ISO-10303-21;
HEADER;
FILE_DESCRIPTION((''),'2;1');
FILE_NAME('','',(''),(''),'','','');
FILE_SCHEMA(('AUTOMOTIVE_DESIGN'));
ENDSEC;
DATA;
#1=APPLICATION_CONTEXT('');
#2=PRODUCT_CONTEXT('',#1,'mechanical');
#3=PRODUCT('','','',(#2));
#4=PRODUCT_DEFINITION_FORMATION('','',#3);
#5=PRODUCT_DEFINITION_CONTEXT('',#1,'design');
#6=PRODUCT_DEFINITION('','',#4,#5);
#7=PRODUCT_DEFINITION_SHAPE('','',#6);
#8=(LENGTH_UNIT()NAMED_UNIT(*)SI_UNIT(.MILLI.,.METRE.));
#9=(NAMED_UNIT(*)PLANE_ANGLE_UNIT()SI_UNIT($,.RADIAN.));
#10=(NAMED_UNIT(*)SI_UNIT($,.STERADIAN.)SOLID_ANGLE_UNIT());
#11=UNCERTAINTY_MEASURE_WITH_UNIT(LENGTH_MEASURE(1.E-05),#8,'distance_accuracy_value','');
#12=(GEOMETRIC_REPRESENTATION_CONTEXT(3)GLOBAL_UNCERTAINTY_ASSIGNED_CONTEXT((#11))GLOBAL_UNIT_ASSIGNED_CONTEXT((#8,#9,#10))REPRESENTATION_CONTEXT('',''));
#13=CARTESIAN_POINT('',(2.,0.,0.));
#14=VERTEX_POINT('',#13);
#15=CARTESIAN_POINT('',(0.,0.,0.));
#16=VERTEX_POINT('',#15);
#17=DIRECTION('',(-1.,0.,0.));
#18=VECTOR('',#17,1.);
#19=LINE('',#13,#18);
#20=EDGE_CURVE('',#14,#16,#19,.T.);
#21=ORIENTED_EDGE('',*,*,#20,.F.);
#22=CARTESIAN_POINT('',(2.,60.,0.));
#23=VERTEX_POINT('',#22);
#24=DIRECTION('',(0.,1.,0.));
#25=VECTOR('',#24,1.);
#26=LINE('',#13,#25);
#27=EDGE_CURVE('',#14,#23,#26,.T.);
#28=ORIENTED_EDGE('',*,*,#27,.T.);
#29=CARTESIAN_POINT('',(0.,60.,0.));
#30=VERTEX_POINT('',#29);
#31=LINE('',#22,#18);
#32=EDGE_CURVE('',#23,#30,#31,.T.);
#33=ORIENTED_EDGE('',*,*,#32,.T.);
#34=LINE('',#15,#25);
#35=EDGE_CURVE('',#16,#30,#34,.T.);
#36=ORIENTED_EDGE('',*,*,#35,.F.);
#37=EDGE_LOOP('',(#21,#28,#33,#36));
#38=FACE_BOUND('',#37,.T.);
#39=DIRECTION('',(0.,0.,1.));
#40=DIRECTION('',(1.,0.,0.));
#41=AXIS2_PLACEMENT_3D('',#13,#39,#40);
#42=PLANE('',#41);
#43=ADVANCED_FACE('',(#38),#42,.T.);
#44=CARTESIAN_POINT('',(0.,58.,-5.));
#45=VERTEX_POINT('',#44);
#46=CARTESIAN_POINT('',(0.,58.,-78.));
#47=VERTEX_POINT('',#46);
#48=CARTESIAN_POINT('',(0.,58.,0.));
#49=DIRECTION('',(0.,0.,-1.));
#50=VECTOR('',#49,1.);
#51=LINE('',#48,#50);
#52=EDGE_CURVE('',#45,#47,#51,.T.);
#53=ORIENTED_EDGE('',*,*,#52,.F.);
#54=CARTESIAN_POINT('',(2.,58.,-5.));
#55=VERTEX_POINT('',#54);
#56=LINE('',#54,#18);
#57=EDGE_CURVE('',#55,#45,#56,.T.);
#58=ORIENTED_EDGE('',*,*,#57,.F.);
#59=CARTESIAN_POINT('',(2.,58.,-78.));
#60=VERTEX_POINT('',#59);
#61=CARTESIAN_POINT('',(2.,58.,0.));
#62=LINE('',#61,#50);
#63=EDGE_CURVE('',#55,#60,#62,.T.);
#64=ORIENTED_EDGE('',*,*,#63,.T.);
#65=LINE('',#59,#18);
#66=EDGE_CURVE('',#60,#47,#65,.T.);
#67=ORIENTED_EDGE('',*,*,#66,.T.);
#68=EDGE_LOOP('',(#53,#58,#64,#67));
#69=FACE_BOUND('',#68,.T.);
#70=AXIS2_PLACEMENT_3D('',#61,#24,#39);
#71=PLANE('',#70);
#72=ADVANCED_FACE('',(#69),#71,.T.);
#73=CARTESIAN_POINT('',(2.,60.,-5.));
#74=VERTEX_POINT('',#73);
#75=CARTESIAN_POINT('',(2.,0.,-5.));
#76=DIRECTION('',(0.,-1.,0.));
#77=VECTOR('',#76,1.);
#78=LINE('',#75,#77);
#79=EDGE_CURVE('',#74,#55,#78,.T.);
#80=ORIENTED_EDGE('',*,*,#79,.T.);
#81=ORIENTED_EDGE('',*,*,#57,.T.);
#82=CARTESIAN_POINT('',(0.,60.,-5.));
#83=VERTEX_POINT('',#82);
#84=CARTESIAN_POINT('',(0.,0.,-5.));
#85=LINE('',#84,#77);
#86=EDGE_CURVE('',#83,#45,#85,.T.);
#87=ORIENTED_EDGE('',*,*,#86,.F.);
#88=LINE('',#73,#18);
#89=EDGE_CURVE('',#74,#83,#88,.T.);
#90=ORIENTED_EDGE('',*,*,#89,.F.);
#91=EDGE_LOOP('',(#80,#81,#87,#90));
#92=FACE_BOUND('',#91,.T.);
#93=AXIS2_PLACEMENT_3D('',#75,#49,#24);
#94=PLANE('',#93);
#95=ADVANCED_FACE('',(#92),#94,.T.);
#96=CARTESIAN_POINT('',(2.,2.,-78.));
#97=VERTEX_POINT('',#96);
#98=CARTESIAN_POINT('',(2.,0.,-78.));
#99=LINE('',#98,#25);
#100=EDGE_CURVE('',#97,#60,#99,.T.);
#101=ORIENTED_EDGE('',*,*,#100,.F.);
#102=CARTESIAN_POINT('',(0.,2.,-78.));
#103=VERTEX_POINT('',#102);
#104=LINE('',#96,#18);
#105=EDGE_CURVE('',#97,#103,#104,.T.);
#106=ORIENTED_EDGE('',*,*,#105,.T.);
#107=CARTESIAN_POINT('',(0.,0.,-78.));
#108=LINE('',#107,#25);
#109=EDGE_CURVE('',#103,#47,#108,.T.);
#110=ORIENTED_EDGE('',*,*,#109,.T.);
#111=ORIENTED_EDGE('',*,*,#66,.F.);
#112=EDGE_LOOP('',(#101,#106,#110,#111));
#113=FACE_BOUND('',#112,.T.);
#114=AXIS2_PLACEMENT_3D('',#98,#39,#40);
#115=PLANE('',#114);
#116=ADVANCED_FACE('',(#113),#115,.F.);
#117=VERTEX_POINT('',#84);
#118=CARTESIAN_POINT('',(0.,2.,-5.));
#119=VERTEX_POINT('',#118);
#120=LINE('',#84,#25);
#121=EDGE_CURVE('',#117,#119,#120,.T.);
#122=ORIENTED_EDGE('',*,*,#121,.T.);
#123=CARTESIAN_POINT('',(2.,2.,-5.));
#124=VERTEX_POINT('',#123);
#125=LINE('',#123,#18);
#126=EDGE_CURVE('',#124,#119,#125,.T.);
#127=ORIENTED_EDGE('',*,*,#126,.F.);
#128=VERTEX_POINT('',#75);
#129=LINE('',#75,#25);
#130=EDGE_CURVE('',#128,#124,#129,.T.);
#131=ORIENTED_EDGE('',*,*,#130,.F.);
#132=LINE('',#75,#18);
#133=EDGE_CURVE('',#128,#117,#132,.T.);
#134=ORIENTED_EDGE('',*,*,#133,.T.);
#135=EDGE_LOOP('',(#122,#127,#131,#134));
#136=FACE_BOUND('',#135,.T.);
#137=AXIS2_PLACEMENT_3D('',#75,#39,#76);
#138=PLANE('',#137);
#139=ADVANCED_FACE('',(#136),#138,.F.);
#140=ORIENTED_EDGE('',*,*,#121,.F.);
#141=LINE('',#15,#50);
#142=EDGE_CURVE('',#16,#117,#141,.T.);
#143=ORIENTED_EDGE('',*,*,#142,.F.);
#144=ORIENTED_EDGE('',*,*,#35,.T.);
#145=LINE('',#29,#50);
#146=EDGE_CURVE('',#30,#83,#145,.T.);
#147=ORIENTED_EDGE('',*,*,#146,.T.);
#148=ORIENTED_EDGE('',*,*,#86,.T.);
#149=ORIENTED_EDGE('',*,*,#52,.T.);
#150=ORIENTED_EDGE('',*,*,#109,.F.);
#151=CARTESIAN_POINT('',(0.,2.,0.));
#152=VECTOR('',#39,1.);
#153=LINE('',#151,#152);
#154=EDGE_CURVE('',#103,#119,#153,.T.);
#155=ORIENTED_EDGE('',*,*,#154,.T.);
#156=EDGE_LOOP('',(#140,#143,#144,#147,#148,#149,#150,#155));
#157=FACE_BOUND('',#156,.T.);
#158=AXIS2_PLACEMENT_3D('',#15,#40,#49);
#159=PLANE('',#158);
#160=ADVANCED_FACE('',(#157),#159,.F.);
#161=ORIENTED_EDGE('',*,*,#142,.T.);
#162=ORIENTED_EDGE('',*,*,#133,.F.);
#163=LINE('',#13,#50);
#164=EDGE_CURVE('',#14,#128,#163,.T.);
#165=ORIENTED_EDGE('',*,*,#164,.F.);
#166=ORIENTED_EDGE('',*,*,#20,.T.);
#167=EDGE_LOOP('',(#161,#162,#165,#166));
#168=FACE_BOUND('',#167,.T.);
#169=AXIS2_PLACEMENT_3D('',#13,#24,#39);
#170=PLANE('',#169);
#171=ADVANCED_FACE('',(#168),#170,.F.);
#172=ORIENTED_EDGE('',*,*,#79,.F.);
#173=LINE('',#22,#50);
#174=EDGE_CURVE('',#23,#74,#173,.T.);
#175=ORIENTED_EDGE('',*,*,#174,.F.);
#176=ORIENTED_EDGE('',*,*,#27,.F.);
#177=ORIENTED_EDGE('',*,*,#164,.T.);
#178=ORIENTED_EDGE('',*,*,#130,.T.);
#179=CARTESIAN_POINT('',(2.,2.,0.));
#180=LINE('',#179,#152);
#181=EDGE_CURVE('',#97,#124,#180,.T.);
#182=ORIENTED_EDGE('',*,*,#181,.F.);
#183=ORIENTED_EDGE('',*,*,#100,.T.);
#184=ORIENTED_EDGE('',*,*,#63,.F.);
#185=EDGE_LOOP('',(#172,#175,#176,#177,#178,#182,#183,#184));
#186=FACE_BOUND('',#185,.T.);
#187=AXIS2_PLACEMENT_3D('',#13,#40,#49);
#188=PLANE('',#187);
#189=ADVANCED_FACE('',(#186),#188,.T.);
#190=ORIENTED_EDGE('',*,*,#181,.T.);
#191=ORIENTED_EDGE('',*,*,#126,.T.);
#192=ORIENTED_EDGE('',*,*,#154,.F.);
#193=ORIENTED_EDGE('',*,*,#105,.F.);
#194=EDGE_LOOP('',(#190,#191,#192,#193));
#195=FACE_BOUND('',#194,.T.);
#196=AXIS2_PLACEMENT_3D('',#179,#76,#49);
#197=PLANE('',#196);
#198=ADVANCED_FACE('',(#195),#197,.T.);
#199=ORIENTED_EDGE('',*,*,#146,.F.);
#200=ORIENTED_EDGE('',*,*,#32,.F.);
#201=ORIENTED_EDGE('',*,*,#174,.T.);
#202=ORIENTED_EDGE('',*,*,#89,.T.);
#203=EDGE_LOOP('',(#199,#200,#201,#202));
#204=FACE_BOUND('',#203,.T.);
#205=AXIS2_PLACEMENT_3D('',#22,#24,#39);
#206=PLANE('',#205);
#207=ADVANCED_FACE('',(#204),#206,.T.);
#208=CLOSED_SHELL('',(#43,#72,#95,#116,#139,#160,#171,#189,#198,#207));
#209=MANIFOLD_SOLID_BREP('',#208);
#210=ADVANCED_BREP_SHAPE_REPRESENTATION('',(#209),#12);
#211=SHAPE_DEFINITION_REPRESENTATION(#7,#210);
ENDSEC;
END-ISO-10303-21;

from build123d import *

# Parameters (mm, degrees)
EXTRUDE_1_DEPTH = 2


with BuildPart() as part:
    # 草图1 → 凸台-拉伸1 (new body)
    with BuildSketch(Plane(origin=(0, 0, 0), x_dir=(0, 0, -1), z_dir=(1, 0, 0))):
        Polygon((0, 60), (0, 0), (5, 0), (5, 2), (78, 2), (78, 58), (5, 58), (5, 60), align=None)
    extrude(amount=EXTRUDE_1_DEPTH)


solid = part.part
